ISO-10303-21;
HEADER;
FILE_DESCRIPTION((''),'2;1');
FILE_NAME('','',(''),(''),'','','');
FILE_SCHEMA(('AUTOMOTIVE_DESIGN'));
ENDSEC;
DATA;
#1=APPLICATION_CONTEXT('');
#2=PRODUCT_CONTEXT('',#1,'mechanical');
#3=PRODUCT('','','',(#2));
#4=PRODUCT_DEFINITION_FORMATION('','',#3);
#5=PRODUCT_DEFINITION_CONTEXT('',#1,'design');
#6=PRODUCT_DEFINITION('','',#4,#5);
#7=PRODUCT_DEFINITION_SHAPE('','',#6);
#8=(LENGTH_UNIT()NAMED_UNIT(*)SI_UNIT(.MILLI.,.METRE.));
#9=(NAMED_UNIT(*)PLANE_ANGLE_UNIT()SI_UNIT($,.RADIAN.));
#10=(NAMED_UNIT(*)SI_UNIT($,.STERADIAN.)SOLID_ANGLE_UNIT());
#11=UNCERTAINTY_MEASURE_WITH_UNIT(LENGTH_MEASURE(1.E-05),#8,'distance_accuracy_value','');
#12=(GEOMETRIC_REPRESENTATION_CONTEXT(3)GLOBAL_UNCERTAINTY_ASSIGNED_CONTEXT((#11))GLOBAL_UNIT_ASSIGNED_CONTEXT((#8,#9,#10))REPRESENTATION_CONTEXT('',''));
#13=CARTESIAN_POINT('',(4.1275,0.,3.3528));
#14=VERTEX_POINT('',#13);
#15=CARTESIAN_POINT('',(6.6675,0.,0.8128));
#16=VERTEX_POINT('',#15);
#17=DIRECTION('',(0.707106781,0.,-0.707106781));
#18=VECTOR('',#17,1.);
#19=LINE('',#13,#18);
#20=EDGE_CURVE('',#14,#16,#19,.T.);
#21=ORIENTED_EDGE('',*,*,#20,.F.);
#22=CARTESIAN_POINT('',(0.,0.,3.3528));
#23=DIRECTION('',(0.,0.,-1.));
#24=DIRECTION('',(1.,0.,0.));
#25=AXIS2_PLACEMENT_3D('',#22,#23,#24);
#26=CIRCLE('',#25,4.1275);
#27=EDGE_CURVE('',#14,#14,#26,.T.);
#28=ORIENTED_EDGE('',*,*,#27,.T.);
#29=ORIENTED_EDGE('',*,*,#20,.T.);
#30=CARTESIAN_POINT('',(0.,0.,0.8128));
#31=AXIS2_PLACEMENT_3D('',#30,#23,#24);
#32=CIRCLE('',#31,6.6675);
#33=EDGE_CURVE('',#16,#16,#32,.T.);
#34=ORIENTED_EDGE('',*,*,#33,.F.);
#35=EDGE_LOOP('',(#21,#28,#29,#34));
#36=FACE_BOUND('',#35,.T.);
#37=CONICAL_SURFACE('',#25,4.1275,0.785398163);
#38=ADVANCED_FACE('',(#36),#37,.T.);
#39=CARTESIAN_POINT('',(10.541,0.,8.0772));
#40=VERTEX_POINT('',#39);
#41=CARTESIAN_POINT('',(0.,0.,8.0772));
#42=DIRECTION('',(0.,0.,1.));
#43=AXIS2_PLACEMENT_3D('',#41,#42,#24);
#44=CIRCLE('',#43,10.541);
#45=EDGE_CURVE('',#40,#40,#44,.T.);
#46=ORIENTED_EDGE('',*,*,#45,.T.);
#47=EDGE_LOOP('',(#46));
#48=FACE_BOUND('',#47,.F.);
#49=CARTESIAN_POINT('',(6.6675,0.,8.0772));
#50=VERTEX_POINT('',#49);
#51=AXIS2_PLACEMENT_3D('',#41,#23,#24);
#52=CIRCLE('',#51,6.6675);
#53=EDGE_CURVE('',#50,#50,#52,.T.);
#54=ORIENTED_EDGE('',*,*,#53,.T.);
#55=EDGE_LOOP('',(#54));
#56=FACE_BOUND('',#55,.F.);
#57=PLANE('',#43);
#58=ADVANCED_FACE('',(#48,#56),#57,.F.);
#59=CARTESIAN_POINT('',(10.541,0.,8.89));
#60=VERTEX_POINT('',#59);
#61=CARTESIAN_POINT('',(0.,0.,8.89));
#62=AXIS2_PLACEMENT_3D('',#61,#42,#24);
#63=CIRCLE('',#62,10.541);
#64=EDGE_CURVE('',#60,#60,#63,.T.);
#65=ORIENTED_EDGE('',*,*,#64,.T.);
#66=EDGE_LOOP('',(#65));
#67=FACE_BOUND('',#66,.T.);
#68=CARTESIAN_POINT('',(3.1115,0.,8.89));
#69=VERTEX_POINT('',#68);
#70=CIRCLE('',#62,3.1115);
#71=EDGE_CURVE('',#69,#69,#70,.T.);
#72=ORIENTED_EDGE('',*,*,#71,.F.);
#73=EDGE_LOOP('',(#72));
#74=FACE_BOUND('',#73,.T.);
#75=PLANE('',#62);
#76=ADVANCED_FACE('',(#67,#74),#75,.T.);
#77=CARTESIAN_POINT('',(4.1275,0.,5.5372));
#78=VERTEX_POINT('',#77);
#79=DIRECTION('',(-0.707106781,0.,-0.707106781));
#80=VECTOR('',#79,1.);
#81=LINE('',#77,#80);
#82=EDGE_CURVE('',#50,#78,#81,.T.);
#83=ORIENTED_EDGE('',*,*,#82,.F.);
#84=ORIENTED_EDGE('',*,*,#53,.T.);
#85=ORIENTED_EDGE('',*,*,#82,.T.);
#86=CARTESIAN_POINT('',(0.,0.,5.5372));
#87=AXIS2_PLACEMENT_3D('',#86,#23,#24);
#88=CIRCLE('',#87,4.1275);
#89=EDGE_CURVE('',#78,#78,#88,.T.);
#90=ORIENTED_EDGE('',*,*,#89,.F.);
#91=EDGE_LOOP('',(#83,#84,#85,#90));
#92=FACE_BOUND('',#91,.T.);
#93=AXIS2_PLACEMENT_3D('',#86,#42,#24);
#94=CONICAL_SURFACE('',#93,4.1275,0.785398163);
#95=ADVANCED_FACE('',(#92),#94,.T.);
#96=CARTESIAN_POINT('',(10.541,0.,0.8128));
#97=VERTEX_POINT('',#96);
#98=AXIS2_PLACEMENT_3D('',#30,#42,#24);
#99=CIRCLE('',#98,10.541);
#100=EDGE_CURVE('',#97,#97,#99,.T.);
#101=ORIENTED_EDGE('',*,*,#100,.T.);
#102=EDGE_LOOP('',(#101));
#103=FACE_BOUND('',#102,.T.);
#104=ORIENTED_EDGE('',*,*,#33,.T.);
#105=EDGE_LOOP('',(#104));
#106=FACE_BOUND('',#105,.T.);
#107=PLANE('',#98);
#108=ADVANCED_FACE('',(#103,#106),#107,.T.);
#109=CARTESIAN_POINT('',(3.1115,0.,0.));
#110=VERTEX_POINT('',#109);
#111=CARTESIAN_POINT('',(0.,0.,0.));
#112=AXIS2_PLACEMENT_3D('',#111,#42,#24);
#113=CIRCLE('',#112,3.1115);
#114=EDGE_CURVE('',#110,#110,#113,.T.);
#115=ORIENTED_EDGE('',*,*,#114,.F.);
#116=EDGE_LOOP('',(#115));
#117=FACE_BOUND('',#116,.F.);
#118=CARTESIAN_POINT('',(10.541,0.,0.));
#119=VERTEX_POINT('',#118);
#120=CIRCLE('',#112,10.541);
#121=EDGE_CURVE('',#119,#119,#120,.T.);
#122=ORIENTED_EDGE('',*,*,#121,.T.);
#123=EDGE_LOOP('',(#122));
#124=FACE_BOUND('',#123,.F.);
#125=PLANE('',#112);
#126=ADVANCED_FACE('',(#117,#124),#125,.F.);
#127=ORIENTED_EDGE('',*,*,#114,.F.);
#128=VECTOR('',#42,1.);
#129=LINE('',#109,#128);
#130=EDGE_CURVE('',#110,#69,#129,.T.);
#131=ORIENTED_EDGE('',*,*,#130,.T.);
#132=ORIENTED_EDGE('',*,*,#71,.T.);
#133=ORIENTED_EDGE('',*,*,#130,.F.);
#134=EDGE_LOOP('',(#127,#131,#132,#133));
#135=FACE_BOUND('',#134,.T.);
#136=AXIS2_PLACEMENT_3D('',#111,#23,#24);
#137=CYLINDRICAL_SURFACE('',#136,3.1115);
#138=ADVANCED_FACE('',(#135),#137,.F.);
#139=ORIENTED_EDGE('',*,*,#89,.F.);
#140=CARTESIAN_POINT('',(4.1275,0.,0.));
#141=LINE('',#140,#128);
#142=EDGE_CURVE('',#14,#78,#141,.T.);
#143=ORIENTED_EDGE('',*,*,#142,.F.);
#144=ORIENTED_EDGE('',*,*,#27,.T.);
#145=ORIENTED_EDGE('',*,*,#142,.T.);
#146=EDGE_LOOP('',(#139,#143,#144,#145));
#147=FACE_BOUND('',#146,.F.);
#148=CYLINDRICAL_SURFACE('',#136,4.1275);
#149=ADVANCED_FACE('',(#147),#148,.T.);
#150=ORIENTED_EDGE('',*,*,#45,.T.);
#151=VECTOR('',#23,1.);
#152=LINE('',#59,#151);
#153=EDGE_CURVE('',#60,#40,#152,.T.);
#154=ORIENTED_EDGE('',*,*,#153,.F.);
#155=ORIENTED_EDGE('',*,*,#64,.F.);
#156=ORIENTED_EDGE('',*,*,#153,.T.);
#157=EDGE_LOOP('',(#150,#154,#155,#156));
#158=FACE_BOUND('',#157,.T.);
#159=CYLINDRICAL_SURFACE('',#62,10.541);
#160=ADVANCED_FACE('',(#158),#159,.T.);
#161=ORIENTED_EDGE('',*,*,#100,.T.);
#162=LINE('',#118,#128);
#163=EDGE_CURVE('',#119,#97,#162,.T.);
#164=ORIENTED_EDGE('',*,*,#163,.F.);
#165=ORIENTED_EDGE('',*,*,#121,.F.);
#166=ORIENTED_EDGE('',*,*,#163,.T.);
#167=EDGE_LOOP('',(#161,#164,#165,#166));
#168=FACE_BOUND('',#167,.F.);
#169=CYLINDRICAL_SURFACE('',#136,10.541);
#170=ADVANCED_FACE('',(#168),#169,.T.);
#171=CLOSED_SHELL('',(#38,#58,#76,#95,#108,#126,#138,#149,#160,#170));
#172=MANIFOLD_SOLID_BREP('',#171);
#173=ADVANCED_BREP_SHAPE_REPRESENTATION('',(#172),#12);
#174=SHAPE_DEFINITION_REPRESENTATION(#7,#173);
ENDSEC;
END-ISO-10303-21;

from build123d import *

# Parameters (mm, degrees)
F0_R     = 10.541
F1_DEPTH = 0.8128
F2_R     = 4.1275
F3_DEPTH = 8.89
F5_R     = 10.541
F6_DEPTH = 0.8128
F7_R     = 3.1115
F8_DEPTH = 8.89
F9_SIZE  = 2.54


with BuildPart() as f1:
    # F0 (on Top) → F1 (new body)
    with BuildSketch(Plane.XY):
        Circle(F0_R)
    extrude(amount=F1_DEPTH)

    # F2 (on Top) → F3 (join)
    with BuildSketch(Plane.XY):
        Circle(F2_R)
    extrude(amount=F3_DEPTH)

    # F5 (on offset) → F6 (join)
    with BuildSketch(Plane.XY.offset(8.89)):
        Circle(F5_R)
    extrude(amount=-F6_DEPTH)

    # F7 (on Top) → F8 (cut)
    with BuildSketch(Plane.XY):
        Circle(F7_R)
    extrude(amount=F8_DEPTH, mode=Mode.SUBTRACT)

    # F9
    f9_edges = [f1.edges().sort_by_distance(p)[0] for p in [
        (-4.1275, 0, 8.0772),
        (-4.1275, 0, 0.8128),
    ]]
    chamfer(f9_edges, length=F9_SIZE)


solid = f1.part
